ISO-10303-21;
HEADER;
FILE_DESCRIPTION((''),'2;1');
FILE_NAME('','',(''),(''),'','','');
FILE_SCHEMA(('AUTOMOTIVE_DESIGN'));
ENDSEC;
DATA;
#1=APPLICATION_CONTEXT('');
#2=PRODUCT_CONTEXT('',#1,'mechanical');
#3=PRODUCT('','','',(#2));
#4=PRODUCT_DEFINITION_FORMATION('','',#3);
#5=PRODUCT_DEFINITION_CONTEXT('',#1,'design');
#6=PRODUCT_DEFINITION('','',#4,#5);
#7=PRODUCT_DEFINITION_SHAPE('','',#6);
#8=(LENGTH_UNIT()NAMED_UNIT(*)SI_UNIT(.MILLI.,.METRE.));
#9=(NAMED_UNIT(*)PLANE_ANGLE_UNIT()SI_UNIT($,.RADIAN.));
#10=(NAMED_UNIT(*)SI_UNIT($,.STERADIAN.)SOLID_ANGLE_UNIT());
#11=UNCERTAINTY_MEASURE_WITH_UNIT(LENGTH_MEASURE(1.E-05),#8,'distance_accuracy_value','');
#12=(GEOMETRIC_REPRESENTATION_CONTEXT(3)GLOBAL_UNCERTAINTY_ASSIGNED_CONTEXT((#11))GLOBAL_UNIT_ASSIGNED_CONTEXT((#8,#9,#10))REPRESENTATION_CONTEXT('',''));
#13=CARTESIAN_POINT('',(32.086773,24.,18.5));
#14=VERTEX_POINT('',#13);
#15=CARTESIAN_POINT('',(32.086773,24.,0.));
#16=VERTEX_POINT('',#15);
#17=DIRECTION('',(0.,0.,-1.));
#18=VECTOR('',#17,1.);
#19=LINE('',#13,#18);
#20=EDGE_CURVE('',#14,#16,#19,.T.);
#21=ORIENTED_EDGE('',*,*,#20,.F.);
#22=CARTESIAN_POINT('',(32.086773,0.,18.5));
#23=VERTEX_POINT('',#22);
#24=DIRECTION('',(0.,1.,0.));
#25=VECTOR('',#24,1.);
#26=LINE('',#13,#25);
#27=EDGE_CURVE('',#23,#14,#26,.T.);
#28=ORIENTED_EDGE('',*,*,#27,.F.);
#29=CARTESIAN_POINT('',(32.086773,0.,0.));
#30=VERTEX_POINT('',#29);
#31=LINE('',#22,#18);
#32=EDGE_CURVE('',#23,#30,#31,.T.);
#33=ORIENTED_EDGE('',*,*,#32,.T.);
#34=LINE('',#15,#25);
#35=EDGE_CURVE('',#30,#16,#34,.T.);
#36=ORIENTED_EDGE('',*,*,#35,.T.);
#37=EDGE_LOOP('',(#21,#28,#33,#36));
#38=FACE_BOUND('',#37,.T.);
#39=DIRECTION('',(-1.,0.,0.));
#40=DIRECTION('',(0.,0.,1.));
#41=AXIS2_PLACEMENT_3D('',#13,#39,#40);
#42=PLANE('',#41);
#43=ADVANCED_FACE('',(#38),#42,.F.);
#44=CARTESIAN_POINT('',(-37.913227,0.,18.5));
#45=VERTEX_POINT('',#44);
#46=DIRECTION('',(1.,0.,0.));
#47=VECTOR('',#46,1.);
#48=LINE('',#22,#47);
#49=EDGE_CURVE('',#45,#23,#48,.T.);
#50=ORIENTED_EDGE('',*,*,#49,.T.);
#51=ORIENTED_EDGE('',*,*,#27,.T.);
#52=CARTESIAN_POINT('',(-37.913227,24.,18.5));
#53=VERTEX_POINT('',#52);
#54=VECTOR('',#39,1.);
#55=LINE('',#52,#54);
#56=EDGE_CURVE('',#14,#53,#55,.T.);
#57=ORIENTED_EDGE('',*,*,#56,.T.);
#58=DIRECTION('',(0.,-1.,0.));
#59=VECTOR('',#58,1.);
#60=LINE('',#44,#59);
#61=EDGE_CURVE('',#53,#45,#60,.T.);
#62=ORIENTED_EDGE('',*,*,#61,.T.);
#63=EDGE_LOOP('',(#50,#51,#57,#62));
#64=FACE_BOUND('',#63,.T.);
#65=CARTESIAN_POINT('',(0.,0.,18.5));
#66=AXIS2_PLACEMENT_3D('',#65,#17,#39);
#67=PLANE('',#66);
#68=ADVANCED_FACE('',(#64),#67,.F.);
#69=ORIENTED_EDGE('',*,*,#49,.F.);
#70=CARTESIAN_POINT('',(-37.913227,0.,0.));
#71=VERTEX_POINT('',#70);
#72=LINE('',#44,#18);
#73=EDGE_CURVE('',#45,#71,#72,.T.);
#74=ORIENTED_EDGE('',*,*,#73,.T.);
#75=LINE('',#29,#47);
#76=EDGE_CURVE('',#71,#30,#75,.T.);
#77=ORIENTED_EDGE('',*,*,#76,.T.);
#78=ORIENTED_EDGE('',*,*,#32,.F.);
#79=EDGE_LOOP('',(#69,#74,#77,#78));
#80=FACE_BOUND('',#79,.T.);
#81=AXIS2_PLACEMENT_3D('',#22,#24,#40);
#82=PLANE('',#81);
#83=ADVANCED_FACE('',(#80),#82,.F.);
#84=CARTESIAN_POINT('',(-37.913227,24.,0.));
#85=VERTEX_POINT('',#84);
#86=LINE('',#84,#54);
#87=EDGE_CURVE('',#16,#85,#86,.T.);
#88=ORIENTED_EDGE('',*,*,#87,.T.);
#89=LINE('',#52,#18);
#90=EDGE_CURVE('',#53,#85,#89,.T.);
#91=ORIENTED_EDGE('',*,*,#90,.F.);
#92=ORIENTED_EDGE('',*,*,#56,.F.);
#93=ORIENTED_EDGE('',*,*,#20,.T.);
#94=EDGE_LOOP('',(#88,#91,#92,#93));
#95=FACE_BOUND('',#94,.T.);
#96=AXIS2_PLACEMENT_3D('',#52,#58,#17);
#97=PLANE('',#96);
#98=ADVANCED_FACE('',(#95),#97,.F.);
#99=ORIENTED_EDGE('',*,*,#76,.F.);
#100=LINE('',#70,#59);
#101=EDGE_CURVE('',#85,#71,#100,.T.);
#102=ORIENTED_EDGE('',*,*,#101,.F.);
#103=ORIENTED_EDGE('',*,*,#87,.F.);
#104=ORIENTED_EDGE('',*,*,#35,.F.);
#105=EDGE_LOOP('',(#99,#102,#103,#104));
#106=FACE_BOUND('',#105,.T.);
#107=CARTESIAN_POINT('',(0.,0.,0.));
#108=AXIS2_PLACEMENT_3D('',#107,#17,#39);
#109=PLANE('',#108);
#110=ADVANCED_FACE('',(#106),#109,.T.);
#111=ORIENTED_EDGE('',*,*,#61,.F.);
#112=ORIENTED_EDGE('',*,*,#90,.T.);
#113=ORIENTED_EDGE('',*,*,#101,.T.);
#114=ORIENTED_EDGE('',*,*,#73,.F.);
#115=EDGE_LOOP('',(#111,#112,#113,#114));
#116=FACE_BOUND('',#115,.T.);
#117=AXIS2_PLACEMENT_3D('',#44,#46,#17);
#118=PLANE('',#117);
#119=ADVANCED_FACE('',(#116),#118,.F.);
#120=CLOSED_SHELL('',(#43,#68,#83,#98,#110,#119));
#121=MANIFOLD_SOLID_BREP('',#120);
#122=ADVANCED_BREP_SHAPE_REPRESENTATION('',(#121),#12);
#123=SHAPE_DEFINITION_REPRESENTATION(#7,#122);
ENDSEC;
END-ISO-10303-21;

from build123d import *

# Parameters (mm, degrees)
SKETCH_1_W      = 70
SKETCH_1_H      = 24
EXTRUDE_1_DEPTH = 18.5


with BuildPart() as part:
    # 草图1 → 凸台-拉伸1 (new body)
    with BuildSketch(Plane.XY):
        with Locations((-2.913226903, 12)):
            Rectangle(SKETCH_1_W, SKETCH_1_H)
    extrude(amount=EXTRUDE_1_DEPTH)


solid = part.part
